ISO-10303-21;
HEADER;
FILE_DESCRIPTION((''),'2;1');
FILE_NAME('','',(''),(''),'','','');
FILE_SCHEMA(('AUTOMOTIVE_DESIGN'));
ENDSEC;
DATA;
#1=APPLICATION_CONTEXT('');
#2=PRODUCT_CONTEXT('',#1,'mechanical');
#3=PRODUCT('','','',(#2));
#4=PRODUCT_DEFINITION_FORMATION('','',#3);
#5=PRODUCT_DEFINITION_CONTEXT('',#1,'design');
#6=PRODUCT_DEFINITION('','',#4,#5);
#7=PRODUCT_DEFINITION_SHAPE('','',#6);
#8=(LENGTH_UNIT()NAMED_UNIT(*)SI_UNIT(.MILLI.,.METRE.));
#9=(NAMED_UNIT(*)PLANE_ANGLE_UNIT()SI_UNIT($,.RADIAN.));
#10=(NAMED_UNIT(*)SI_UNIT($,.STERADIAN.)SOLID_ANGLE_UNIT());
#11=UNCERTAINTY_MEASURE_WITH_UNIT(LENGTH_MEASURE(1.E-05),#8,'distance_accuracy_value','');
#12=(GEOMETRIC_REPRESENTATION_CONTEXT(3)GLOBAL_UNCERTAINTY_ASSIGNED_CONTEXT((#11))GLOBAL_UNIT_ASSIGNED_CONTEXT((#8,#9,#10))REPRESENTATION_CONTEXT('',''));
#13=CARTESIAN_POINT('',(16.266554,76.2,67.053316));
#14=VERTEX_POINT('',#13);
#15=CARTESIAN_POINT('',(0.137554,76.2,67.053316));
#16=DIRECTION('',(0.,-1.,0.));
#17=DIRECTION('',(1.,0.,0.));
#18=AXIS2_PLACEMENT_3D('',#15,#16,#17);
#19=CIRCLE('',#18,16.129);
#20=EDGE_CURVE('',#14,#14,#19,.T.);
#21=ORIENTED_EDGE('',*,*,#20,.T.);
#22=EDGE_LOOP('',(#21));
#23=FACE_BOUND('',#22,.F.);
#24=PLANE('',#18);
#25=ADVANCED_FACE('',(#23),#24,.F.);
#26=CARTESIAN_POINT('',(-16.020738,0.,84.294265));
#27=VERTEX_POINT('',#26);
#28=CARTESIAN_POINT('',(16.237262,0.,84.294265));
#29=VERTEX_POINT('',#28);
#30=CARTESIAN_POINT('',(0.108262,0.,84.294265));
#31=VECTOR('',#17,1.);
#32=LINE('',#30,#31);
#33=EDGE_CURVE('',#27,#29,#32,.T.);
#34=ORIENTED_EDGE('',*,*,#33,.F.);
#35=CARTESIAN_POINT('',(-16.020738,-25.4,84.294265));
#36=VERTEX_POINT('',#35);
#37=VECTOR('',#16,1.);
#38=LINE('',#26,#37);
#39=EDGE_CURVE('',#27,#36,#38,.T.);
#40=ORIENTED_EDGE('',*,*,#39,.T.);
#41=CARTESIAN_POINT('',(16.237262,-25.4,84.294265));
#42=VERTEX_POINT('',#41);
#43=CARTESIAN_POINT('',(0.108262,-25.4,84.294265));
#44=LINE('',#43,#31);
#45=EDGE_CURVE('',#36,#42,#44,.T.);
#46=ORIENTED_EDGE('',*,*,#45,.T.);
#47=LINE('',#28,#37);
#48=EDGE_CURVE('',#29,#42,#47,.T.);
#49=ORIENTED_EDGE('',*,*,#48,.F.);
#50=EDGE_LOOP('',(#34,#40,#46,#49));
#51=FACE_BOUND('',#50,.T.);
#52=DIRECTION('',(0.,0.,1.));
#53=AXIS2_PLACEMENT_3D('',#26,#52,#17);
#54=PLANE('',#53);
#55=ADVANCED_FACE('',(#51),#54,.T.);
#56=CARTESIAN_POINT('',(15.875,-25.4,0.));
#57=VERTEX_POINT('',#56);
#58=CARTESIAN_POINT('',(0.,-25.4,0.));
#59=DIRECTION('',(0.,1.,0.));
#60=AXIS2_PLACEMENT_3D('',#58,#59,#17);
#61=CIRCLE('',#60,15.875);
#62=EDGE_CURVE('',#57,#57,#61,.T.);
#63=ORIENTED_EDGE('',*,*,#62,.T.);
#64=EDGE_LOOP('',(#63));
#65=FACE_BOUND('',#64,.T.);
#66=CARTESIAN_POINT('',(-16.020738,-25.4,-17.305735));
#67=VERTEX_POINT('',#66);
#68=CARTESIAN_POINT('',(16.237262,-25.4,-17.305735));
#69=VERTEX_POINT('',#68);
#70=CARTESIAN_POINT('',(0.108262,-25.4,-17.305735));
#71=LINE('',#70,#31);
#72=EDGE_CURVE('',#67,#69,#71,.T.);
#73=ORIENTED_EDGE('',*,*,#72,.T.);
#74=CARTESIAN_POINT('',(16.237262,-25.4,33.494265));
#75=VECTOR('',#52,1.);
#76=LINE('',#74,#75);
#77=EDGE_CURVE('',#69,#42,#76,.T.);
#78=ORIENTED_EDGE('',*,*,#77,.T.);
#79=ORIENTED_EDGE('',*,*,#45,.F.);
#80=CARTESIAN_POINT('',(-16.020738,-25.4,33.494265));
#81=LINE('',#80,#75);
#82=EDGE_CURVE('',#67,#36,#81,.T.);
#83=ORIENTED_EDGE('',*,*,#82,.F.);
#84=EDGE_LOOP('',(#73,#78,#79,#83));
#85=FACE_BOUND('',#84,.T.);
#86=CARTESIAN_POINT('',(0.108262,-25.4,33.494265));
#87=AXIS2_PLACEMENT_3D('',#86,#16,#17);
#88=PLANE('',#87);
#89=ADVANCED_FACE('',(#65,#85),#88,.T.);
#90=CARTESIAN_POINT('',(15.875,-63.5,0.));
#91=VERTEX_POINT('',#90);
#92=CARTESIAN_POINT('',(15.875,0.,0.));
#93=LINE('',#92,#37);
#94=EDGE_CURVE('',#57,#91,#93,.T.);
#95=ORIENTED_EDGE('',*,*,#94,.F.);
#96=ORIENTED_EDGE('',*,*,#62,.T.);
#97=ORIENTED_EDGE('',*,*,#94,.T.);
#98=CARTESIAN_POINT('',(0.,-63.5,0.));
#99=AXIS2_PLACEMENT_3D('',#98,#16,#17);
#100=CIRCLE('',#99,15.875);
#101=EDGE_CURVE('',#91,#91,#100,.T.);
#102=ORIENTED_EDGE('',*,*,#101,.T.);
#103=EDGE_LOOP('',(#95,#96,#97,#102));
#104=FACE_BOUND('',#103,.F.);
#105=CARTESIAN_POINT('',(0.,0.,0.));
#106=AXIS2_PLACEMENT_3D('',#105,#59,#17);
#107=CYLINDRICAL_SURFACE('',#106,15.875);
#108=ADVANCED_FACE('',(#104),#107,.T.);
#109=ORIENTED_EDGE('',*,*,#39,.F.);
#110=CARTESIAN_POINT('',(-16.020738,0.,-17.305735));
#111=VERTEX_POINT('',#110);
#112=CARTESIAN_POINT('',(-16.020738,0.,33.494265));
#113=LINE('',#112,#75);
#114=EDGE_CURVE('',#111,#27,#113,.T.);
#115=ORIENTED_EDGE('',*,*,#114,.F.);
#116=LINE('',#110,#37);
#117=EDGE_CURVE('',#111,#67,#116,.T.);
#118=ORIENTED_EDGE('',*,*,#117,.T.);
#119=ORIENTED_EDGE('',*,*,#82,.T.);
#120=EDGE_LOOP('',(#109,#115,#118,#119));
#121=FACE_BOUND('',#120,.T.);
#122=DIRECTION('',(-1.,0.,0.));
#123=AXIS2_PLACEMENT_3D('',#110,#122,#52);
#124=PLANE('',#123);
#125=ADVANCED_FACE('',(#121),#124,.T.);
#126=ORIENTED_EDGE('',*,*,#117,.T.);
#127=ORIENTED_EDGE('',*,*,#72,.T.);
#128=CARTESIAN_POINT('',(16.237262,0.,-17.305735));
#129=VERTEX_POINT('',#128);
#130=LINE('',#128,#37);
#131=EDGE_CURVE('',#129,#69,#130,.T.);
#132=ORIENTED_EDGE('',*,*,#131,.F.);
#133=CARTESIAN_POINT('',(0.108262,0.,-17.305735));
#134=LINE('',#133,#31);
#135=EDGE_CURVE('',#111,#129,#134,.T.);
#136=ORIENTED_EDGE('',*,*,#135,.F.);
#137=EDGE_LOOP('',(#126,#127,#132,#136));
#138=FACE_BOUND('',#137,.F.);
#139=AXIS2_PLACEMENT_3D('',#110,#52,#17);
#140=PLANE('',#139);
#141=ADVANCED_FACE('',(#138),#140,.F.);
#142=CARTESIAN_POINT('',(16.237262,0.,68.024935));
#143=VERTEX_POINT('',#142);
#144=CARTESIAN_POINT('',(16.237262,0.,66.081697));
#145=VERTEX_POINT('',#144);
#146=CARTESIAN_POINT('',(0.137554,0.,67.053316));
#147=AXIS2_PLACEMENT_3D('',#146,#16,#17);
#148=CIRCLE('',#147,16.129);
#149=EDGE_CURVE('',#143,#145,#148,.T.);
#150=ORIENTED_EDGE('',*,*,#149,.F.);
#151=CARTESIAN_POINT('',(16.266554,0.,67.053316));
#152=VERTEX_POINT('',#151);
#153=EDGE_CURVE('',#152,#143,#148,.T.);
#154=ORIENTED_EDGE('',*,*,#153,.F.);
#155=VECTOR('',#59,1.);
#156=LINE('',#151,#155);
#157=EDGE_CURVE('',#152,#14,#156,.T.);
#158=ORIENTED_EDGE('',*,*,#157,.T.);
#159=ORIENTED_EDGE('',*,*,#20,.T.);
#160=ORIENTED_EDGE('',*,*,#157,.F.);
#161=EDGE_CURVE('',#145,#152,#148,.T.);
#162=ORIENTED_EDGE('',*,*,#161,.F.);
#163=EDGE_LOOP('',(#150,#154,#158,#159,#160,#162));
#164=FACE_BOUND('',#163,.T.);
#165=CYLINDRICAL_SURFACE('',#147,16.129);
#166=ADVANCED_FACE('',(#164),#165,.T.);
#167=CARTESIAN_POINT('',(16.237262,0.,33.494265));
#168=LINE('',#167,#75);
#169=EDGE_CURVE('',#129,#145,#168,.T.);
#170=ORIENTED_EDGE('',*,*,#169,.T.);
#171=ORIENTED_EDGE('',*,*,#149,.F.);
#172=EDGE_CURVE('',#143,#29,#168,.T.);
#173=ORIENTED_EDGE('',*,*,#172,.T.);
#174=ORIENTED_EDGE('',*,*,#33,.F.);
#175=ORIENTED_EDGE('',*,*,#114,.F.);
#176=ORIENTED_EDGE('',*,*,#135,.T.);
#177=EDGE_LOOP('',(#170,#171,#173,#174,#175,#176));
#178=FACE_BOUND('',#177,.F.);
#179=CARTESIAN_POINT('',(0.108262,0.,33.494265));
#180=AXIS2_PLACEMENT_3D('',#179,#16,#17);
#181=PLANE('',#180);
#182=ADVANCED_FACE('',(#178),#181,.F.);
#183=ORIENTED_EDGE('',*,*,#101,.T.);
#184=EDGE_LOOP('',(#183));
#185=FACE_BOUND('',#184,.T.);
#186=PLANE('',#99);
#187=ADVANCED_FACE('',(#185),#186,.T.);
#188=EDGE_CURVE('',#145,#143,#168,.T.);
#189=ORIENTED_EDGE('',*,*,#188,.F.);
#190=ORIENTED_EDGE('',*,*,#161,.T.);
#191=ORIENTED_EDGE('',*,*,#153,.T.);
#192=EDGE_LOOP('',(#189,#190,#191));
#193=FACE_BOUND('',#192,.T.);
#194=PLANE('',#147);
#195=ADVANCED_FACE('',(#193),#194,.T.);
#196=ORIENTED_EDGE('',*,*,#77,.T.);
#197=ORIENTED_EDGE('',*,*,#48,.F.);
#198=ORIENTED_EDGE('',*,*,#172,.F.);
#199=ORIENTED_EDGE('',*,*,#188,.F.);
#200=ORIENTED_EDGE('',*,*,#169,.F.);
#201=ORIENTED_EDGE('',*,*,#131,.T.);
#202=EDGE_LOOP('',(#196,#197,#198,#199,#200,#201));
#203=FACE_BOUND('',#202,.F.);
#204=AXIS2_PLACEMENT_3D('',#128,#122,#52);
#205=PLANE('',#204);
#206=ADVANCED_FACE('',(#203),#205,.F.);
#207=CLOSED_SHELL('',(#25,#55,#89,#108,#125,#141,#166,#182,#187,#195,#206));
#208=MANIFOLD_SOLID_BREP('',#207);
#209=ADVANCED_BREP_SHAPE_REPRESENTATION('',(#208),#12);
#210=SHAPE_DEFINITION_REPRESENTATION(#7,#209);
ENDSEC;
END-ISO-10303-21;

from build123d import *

# Parameters (mm, degrees)
F0_R     = 15.875
F1_DEPTH = 63.5
F2_W     = 32.258
F2_H     = 101.6
F3_DEPTH = 25.4
F4_R     = 16.129
F5_DEPTH = 76.2


with BuildPart() as f1:
    # F0 (on Front) → F1 (new body)
    with BuildSketch(Plane.XZ):
        Circle(F0_R)
    extrude(amount=F1_DEPTH)

    # F2 (on Front) → F3 (join)
    with BuildSketch(Plane.XZ):
        with Locations((0.108262, 33.494265)):
            Rectangle(F2_W, F2_H)
    extrude(amount=F3_DEPTH)

    # F4 (on Front) → F5 (join)
    with BuildSketch(Plane.XZ):
        with Locations((0.137554, 67.053316)):
            Circle(F4_R)
    extrude(amount=-F5_DEPTH)


solid = f1.part
